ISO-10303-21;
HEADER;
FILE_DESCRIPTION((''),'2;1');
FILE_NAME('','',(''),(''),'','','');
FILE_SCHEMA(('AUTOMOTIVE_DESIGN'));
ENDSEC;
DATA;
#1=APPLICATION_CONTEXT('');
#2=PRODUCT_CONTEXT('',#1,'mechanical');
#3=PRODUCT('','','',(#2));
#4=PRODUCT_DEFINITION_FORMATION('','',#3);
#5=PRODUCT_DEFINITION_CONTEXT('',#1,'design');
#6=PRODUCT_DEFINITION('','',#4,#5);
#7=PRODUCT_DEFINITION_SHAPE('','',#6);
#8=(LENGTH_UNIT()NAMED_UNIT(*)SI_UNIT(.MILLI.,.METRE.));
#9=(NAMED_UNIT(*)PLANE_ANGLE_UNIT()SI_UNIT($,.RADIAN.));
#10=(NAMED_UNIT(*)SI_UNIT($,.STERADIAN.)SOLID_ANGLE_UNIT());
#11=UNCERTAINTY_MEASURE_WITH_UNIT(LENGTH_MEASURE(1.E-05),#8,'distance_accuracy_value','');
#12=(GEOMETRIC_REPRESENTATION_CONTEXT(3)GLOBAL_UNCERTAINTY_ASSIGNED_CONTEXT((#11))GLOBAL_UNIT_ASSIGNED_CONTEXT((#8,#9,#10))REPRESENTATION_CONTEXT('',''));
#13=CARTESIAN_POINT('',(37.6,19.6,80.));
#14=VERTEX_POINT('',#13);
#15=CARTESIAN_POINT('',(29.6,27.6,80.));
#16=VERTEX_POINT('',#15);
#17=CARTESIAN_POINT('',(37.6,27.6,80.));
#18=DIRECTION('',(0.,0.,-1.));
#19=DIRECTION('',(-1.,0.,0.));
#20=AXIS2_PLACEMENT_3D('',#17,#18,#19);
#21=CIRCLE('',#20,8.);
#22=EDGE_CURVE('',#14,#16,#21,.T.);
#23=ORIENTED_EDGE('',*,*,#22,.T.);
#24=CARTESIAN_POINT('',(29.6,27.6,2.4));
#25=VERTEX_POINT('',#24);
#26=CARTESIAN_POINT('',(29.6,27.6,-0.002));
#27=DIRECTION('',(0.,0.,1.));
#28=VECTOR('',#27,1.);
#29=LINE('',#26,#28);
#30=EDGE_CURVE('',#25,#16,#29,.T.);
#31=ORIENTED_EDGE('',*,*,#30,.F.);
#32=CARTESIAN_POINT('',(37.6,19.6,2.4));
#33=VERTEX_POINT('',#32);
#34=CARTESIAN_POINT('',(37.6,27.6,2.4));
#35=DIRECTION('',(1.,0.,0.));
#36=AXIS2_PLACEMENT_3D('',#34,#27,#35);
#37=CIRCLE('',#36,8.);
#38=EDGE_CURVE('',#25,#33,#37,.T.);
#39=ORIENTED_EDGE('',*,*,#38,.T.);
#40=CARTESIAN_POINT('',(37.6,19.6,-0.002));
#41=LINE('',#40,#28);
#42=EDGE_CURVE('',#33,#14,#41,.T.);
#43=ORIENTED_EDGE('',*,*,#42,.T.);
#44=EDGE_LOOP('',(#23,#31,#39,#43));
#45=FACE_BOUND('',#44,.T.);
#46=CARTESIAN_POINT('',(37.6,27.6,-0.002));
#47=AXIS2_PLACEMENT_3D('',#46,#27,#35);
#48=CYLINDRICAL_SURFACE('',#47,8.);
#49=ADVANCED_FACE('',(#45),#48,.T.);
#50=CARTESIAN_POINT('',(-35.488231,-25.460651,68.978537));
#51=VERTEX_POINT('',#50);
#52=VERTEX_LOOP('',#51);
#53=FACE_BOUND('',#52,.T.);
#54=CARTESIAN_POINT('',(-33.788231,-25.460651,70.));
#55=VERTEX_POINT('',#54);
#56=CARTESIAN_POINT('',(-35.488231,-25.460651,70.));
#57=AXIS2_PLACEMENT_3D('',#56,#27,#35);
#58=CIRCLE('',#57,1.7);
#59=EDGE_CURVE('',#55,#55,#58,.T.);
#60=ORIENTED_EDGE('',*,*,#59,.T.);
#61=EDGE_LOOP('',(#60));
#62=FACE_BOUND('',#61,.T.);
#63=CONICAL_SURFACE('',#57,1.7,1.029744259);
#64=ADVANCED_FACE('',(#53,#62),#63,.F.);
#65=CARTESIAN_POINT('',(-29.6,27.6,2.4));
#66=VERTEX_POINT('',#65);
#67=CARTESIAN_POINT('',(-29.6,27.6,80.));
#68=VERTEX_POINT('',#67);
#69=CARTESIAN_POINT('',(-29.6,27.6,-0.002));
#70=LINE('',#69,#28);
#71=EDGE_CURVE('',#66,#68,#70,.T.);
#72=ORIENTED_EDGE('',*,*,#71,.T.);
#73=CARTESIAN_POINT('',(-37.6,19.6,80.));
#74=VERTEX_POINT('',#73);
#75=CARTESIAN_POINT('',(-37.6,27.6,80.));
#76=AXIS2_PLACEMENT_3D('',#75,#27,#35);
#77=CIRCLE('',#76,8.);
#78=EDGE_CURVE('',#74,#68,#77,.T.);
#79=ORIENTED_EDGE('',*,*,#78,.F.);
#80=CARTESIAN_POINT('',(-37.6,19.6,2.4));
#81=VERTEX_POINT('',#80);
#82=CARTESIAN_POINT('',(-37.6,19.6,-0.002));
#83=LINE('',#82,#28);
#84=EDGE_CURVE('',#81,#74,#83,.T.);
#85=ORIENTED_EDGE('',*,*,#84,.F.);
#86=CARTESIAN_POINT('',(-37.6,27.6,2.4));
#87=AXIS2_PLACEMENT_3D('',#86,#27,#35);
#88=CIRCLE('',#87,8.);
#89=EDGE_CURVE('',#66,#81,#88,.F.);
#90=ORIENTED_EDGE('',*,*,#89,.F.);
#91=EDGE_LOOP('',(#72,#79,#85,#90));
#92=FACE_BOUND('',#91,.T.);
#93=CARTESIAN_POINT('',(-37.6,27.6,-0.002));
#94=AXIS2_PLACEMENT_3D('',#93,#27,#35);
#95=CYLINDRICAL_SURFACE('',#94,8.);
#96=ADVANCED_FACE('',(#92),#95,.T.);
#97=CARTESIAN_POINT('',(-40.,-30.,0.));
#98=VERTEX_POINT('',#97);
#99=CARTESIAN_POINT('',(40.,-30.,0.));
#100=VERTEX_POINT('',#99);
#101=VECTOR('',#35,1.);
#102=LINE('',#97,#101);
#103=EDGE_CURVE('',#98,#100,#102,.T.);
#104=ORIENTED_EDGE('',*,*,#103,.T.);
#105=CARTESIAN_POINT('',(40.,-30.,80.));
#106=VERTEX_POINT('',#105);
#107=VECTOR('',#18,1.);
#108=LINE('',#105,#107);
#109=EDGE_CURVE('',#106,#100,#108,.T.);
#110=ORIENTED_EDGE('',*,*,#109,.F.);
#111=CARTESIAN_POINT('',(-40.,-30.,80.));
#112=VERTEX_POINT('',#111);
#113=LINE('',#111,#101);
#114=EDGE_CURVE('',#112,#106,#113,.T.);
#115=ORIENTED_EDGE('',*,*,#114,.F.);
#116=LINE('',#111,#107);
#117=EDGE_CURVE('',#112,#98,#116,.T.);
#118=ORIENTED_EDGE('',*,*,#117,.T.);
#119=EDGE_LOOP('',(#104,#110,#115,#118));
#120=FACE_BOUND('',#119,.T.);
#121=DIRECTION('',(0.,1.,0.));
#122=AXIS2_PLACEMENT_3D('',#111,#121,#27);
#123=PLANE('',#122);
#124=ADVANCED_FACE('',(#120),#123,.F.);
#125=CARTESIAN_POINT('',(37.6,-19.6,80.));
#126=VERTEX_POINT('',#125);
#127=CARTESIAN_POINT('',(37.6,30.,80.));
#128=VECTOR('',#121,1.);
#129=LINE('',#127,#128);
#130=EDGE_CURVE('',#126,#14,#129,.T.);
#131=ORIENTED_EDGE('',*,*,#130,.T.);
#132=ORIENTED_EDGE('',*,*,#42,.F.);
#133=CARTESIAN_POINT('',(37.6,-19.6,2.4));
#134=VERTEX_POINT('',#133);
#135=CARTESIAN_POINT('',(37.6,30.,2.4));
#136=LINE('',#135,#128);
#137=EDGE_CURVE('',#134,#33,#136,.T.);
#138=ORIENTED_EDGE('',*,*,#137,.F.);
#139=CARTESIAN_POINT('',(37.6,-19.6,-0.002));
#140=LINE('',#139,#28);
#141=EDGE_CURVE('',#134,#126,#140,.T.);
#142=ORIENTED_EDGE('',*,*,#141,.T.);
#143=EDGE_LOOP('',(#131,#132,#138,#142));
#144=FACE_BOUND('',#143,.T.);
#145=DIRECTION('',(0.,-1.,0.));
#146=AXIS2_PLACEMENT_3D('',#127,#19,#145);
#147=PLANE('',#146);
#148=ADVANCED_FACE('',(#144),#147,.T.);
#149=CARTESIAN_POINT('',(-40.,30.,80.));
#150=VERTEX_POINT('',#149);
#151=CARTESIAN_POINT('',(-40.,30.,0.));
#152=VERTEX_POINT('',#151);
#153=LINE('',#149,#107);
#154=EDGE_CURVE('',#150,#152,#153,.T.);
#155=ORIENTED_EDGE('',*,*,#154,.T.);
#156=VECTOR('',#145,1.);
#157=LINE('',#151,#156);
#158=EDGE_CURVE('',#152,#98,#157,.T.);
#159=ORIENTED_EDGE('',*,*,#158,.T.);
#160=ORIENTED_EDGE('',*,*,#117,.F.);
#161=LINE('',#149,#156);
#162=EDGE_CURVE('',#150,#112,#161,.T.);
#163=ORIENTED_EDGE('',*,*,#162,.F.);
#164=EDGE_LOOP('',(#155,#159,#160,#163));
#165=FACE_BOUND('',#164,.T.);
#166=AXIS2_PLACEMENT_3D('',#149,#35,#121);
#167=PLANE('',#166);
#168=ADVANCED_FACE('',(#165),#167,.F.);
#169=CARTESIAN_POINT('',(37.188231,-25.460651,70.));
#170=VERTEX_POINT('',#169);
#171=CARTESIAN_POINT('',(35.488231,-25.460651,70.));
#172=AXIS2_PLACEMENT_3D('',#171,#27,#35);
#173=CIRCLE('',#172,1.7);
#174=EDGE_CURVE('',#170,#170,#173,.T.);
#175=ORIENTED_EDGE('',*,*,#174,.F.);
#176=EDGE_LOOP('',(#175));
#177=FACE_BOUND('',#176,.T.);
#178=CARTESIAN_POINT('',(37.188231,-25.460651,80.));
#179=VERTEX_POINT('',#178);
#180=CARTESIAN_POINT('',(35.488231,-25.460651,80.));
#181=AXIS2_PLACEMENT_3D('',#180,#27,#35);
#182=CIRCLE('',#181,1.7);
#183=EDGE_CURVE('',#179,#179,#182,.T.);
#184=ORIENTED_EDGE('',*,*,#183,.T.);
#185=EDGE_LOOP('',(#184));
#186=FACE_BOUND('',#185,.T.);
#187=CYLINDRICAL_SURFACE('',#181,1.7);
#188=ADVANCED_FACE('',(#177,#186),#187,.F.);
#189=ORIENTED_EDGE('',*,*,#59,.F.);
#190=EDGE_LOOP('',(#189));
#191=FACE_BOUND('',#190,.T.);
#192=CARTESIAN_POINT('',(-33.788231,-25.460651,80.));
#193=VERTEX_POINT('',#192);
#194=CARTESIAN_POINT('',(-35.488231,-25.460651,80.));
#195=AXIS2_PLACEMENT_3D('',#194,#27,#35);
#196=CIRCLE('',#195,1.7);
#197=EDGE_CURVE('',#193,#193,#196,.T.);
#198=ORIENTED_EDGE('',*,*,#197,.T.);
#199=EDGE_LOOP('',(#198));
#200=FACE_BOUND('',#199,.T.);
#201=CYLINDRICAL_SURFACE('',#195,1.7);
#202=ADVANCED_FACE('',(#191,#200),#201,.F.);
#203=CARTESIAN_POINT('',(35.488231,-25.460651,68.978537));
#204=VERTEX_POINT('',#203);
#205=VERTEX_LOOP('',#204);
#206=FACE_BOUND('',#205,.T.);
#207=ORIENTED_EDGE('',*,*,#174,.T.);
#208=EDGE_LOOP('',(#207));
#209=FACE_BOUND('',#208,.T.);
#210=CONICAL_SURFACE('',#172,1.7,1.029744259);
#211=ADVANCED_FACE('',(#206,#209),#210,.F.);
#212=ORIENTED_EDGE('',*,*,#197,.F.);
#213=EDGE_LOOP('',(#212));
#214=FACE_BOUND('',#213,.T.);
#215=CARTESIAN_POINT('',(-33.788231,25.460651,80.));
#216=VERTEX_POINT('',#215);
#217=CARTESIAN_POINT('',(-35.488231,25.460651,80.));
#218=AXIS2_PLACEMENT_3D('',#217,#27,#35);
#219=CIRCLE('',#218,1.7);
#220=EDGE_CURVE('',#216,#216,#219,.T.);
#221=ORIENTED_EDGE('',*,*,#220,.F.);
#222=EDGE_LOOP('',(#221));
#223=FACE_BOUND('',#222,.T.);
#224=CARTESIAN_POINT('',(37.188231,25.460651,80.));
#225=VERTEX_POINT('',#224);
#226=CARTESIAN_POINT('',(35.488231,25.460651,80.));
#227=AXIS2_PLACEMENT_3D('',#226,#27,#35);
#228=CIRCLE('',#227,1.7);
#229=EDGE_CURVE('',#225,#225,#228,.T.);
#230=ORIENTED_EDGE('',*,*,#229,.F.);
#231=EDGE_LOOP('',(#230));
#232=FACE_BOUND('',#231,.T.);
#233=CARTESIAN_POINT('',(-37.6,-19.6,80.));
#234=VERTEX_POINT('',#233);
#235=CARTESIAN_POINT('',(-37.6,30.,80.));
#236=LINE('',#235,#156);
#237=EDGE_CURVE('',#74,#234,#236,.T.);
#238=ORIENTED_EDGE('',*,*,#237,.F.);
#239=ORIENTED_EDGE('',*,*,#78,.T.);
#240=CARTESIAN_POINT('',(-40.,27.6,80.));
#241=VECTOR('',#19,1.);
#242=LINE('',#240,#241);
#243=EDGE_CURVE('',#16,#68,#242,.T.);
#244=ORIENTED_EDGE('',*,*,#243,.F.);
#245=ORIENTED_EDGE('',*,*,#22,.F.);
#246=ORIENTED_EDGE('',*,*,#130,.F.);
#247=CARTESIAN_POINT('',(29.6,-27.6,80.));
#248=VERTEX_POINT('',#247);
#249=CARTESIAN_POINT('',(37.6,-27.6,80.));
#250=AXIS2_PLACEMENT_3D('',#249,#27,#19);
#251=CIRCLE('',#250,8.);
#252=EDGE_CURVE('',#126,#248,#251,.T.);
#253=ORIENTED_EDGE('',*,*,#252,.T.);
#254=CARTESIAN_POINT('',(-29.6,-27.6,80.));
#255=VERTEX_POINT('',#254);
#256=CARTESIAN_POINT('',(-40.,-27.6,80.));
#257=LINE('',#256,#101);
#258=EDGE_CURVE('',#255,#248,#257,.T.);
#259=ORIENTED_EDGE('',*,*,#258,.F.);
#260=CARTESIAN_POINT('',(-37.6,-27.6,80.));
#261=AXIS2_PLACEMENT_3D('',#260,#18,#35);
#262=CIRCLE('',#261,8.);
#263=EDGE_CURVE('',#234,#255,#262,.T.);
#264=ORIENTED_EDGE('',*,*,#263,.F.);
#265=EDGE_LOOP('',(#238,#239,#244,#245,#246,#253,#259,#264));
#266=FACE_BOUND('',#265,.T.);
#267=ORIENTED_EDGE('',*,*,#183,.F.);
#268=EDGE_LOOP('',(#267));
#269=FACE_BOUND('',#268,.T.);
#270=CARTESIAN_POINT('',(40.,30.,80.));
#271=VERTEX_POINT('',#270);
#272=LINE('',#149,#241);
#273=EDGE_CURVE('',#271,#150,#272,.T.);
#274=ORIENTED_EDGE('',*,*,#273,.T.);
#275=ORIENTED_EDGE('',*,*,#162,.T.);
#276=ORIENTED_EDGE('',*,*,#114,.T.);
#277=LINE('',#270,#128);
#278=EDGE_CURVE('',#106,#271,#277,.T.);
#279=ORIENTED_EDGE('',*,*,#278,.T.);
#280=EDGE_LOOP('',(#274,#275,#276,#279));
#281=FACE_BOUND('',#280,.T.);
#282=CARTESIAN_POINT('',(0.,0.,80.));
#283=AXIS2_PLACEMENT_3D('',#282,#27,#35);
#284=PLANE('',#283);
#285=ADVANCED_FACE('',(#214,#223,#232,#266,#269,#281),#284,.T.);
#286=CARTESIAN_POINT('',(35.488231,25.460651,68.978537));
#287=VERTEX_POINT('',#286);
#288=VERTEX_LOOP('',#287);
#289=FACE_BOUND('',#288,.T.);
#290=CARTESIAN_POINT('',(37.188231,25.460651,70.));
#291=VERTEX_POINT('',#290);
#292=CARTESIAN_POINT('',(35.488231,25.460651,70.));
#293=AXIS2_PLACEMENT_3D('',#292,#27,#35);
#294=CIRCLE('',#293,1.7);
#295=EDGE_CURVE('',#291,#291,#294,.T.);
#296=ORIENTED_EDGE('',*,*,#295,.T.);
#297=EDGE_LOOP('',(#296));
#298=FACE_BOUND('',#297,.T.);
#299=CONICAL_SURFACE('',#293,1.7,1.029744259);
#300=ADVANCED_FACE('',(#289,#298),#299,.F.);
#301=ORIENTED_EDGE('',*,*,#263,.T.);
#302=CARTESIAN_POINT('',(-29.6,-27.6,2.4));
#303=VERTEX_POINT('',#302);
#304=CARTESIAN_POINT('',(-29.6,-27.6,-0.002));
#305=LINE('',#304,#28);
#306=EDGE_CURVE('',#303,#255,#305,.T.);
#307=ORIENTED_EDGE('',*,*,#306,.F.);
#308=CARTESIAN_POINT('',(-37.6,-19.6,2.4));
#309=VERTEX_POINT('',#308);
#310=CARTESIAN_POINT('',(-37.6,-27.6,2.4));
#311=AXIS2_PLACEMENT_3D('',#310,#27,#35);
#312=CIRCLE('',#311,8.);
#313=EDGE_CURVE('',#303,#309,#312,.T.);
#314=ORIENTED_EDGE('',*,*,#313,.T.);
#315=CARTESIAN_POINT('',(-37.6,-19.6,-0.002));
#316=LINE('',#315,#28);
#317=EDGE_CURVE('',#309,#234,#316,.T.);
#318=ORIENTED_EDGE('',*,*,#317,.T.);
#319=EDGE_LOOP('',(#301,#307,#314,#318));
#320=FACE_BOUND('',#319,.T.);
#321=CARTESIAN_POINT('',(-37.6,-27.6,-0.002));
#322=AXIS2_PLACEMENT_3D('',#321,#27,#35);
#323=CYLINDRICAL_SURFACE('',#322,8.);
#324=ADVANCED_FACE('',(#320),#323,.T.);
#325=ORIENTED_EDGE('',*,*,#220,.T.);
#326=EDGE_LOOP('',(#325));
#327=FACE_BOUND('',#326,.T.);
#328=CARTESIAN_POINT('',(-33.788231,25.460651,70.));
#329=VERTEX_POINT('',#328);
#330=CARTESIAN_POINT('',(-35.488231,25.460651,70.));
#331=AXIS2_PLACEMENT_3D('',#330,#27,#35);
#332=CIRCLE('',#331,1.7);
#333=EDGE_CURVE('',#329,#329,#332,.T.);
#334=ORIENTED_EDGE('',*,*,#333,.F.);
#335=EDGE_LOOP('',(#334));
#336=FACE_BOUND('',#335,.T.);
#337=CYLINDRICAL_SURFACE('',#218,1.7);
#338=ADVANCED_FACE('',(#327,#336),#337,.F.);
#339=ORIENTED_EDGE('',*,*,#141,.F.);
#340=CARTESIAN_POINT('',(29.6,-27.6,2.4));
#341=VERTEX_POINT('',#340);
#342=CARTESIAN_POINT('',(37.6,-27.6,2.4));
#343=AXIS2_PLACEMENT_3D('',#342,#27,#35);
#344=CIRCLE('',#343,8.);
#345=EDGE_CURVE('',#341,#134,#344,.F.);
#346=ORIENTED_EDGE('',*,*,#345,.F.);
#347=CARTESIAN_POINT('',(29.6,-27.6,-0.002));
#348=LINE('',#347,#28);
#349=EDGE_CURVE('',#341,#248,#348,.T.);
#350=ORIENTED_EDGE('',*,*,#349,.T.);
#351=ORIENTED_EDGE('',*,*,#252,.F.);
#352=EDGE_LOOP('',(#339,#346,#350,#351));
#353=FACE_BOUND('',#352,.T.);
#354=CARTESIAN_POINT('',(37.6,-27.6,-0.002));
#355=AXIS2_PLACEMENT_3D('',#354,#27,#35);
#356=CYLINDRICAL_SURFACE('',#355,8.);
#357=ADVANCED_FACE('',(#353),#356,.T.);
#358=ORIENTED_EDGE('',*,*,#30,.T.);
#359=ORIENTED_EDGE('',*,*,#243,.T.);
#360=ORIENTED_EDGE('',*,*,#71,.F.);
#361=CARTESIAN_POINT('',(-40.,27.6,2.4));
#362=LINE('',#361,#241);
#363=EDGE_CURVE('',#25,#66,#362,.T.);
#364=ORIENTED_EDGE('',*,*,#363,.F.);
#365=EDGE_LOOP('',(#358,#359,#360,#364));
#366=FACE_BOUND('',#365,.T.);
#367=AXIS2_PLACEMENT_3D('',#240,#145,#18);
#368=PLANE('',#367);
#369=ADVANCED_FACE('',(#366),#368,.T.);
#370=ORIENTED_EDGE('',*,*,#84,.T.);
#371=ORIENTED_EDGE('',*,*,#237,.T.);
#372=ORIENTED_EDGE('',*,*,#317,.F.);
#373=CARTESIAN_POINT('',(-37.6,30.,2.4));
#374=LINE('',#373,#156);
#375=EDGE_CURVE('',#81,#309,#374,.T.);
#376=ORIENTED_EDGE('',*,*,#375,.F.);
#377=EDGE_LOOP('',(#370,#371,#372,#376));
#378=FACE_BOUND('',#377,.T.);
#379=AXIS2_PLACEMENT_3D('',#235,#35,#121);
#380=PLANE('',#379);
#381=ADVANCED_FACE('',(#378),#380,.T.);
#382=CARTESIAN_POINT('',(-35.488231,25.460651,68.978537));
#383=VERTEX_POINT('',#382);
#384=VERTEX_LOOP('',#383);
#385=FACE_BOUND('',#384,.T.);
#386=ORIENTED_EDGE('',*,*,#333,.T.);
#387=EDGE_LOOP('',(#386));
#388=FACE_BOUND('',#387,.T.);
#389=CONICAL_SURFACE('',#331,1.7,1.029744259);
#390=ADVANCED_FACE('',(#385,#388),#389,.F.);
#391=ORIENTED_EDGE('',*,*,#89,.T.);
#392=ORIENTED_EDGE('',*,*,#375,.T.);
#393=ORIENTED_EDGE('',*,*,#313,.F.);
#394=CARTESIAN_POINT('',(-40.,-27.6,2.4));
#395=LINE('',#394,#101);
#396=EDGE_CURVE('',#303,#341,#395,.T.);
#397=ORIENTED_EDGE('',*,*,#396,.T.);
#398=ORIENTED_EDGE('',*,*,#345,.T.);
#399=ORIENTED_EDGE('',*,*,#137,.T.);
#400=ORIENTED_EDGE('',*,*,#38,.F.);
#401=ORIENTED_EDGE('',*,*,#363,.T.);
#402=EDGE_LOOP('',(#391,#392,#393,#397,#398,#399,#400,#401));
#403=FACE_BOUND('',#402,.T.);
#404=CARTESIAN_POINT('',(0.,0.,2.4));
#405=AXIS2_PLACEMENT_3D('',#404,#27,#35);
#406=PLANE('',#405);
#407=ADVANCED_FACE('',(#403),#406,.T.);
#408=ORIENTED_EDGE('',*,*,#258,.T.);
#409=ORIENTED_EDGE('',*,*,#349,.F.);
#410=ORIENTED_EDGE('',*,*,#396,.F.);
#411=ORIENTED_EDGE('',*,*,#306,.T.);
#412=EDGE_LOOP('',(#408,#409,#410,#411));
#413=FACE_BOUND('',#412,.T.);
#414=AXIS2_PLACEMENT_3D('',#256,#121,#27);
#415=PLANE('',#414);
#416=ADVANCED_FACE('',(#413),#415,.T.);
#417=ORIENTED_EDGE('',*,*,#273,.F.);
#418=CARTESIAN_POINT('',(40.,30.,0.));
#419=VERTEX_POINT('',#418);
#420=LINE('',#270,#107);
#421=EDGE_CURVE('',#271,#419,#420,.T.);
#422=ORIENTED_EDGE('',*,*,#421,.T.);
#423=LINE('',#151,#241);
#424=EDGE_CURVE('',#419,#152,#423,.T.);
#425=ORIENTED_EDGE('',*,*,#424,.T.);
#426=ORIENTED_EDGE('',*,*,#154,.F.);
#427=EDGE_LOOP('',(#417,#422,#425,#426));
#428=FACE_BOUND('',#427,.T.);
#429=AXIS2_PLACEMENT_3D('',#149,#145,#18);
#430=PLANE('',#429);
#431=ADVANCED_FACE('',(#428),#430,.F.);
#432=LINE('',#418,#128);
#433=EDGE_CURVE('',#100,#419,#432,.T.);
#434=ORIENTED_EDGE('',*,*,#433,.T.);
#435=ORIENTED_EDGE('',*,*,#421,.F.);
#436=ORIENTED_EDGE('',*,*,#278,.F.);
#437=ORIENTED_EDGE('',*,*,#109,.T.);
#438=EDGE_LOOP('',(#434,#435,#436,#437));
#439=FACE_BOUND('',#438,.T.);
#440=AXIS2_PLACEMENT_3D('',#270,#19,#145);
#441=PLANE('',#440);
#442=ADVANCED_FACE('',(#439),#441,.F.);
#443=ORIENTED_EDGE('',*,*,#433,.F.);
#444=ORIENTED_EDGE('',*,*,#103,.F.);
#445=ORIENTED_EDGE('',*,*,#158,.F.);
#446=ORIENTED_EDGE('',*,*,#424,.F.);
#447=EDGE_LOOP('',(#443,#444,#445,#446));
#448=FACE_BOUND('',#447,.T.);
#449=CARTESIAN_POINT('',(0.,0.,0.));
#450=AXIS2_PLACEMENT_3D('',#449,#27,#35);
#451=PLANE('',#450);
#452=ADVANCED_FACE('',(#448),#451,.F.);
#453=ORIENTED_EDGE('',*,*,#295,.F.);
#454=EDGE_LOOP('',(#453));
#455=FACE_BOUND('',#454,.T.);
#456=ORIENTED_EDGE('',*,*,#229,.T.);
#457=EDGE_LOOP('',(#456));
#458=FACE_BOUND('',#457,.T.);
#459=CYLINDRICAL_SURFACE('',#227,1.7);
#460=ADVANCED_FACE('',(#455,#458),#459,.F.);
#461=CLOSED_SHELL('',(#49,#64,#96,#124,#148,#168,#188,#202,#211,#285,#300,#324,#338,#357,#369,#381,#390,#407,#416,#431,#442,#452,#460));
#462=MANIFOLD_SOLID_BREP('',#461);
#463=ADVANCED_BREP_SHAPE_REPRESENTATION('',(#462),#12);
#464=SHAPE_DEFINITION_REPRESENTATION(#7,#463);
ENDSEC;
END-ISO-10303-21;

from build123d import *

# Parameters (mm, degrees)
ESQUISSE1_W                                = 80
ESQUISSE1_H                                = 60
BOSS_EXTRU_1_DEPTH                         = 80
COQUE1_T                                   = -2.4
BOSS_EXTRU_2_REACH                         = 96.34
SYM_TRIE1_AT_THE_SECOND_PLANE_COPY_1_REACH = 96.34


with BuildPart() as part:
    # Esquisse1 → Boss.-Extru.1 (new body)
    with BuildSketch(Plane.XY):
        Rectangle(ESQUISSE1_W, ESQUISSE1_H)
    extrude(amount=BOSS_EXTRU_1_DEPTH)

    # Coque1
    coque1_openings = [part.faces().sort_by_distance(p)[0] for p in [
        (0, 0, 80),
    ]]
    offset(amount=COQUE1_T, openings=coque1_openings, kind=Kind.INTERSECTION)

    # Esquisse2 → Boss.-Extru.2 (add, up to next)
    with BuildSketch(Plane.XY.offset(80), mode=Mode.PRIVATE) as boss_extru_2_sk1:
        with BuildLine():
            Line((-37.6, 27.6), (-37.6, 19.6))
            ThreePointArc((-37.6, 19.6), (-31.943145751, 21.943145751), (-29.6, 27.6))
            Line((-29.6, 27.6), (-37.6, 27.6))
        make_face()
    boss_extru_2_tool1 = extrude(boss_extru_2_sk1.sketch, amount=-BOSS_EXTRU_2_REACH, mode=Mode.PRIVATE) - part.part
    boss_extru_2 = boss_extru_2_tool1.solids().sort_by_distance((-34.204695, 24.204695, 80))[0]
    add(boss_extru_2)

    # Esquisse4 → Dégagement M31 (revolve, cut)
    with BuildSketch(Plane(origin=(-35.488231032, 25.460651403, 80), x_dir=(0, -1, 0), z_dir=(1, 0, 0))):
        Polygon((0, 0), (0, 11.021463052), (1.7, 10), (1.7, 0), align=None)
    d_gagement_m31 = revolve(axis=Axis((-35.488231032, 25.460651403, 86.35), (0, 0, -1)), mode=Mode.SUBTRACT)

    # Symétrie1: Boss.-Extru.2, Dégagement M31 across plane
    add(boss_extru_2.mirror(Plane(origin=(0, 0, 0), x_dir=(0, 0, 1), z_dir=(1, 0, 0))))
    add(d_gagement_m31.mirror(Plane(origin=(0, 0, 0), x_dir=(0, 0, 1), z_dir=(1, 0, 0))), mode=Mode.SUBTRACT)

    # Symétrie1 at the second plane: Boss.-Extru.2, Dégagement M31 across plane
    add(boss_extru_2.mirror(Plane.ZX))
    add(d_gagement_m31.mirror(Plane.ZX), mode=Mode.SUBTRACT)

    # Symétrie1 at the second plane copy 1 ske → Symétrie1 at the second plane copy 1 (add, up to next)
    with BuildSketch(Plane(origin=(0, 0, 80), x_dir=(-1, 0, 0), z_dir=(0, 0, 1)), mode=Mode.PRIVATE) as sym_trie1_at_the_second_plane_copy_1_sk1:
        with BuildLine():
            Line((-37.6, 27.6), (-37.6, 19.6))
            ThreePointArc((-37.6, 19.6), (-31.943145751, 21.943145751), (-29.6, 27.6))
            Line((-29.6, 27.6), (-37.6, 27.6))
        make_face()
    sym_trie1_at_the_second_plane_copy_1_tool1 = extrude(sym_trie1_at_the_second_plane_copy_1_sk1.sketch, amount=-SYM_TRIE1_AT_THE_SECOND_PLANE_COPY_1_REACH, mode=Mode.PRIVATE) - part.part
    add(sym_trie1_at_the_second_plane_copy_1_tool1.solids().sort_by_distance((34.204695, -24.204695, 80))[0])

    # Symétrie1 at the second plane copy 2 ske → Symétrie1 at the second plane copy 2 (revolve, cut)
    with BuildSketch(Plane(origin=(35.488231032, -25.460651403, 80), x_dir=(0, 1, 0), z_dir=(-1, 0, 0))):
        Polygon((0, 0), (0, 11.021463052), (1.7, 10), (1.7, 0), align=None)
    revolve(axis=Axis((35.488231032, -25.460651403, 86.35), (0, 0, -1)), mode=Mode.SUBTRACT)


solid = part.part
